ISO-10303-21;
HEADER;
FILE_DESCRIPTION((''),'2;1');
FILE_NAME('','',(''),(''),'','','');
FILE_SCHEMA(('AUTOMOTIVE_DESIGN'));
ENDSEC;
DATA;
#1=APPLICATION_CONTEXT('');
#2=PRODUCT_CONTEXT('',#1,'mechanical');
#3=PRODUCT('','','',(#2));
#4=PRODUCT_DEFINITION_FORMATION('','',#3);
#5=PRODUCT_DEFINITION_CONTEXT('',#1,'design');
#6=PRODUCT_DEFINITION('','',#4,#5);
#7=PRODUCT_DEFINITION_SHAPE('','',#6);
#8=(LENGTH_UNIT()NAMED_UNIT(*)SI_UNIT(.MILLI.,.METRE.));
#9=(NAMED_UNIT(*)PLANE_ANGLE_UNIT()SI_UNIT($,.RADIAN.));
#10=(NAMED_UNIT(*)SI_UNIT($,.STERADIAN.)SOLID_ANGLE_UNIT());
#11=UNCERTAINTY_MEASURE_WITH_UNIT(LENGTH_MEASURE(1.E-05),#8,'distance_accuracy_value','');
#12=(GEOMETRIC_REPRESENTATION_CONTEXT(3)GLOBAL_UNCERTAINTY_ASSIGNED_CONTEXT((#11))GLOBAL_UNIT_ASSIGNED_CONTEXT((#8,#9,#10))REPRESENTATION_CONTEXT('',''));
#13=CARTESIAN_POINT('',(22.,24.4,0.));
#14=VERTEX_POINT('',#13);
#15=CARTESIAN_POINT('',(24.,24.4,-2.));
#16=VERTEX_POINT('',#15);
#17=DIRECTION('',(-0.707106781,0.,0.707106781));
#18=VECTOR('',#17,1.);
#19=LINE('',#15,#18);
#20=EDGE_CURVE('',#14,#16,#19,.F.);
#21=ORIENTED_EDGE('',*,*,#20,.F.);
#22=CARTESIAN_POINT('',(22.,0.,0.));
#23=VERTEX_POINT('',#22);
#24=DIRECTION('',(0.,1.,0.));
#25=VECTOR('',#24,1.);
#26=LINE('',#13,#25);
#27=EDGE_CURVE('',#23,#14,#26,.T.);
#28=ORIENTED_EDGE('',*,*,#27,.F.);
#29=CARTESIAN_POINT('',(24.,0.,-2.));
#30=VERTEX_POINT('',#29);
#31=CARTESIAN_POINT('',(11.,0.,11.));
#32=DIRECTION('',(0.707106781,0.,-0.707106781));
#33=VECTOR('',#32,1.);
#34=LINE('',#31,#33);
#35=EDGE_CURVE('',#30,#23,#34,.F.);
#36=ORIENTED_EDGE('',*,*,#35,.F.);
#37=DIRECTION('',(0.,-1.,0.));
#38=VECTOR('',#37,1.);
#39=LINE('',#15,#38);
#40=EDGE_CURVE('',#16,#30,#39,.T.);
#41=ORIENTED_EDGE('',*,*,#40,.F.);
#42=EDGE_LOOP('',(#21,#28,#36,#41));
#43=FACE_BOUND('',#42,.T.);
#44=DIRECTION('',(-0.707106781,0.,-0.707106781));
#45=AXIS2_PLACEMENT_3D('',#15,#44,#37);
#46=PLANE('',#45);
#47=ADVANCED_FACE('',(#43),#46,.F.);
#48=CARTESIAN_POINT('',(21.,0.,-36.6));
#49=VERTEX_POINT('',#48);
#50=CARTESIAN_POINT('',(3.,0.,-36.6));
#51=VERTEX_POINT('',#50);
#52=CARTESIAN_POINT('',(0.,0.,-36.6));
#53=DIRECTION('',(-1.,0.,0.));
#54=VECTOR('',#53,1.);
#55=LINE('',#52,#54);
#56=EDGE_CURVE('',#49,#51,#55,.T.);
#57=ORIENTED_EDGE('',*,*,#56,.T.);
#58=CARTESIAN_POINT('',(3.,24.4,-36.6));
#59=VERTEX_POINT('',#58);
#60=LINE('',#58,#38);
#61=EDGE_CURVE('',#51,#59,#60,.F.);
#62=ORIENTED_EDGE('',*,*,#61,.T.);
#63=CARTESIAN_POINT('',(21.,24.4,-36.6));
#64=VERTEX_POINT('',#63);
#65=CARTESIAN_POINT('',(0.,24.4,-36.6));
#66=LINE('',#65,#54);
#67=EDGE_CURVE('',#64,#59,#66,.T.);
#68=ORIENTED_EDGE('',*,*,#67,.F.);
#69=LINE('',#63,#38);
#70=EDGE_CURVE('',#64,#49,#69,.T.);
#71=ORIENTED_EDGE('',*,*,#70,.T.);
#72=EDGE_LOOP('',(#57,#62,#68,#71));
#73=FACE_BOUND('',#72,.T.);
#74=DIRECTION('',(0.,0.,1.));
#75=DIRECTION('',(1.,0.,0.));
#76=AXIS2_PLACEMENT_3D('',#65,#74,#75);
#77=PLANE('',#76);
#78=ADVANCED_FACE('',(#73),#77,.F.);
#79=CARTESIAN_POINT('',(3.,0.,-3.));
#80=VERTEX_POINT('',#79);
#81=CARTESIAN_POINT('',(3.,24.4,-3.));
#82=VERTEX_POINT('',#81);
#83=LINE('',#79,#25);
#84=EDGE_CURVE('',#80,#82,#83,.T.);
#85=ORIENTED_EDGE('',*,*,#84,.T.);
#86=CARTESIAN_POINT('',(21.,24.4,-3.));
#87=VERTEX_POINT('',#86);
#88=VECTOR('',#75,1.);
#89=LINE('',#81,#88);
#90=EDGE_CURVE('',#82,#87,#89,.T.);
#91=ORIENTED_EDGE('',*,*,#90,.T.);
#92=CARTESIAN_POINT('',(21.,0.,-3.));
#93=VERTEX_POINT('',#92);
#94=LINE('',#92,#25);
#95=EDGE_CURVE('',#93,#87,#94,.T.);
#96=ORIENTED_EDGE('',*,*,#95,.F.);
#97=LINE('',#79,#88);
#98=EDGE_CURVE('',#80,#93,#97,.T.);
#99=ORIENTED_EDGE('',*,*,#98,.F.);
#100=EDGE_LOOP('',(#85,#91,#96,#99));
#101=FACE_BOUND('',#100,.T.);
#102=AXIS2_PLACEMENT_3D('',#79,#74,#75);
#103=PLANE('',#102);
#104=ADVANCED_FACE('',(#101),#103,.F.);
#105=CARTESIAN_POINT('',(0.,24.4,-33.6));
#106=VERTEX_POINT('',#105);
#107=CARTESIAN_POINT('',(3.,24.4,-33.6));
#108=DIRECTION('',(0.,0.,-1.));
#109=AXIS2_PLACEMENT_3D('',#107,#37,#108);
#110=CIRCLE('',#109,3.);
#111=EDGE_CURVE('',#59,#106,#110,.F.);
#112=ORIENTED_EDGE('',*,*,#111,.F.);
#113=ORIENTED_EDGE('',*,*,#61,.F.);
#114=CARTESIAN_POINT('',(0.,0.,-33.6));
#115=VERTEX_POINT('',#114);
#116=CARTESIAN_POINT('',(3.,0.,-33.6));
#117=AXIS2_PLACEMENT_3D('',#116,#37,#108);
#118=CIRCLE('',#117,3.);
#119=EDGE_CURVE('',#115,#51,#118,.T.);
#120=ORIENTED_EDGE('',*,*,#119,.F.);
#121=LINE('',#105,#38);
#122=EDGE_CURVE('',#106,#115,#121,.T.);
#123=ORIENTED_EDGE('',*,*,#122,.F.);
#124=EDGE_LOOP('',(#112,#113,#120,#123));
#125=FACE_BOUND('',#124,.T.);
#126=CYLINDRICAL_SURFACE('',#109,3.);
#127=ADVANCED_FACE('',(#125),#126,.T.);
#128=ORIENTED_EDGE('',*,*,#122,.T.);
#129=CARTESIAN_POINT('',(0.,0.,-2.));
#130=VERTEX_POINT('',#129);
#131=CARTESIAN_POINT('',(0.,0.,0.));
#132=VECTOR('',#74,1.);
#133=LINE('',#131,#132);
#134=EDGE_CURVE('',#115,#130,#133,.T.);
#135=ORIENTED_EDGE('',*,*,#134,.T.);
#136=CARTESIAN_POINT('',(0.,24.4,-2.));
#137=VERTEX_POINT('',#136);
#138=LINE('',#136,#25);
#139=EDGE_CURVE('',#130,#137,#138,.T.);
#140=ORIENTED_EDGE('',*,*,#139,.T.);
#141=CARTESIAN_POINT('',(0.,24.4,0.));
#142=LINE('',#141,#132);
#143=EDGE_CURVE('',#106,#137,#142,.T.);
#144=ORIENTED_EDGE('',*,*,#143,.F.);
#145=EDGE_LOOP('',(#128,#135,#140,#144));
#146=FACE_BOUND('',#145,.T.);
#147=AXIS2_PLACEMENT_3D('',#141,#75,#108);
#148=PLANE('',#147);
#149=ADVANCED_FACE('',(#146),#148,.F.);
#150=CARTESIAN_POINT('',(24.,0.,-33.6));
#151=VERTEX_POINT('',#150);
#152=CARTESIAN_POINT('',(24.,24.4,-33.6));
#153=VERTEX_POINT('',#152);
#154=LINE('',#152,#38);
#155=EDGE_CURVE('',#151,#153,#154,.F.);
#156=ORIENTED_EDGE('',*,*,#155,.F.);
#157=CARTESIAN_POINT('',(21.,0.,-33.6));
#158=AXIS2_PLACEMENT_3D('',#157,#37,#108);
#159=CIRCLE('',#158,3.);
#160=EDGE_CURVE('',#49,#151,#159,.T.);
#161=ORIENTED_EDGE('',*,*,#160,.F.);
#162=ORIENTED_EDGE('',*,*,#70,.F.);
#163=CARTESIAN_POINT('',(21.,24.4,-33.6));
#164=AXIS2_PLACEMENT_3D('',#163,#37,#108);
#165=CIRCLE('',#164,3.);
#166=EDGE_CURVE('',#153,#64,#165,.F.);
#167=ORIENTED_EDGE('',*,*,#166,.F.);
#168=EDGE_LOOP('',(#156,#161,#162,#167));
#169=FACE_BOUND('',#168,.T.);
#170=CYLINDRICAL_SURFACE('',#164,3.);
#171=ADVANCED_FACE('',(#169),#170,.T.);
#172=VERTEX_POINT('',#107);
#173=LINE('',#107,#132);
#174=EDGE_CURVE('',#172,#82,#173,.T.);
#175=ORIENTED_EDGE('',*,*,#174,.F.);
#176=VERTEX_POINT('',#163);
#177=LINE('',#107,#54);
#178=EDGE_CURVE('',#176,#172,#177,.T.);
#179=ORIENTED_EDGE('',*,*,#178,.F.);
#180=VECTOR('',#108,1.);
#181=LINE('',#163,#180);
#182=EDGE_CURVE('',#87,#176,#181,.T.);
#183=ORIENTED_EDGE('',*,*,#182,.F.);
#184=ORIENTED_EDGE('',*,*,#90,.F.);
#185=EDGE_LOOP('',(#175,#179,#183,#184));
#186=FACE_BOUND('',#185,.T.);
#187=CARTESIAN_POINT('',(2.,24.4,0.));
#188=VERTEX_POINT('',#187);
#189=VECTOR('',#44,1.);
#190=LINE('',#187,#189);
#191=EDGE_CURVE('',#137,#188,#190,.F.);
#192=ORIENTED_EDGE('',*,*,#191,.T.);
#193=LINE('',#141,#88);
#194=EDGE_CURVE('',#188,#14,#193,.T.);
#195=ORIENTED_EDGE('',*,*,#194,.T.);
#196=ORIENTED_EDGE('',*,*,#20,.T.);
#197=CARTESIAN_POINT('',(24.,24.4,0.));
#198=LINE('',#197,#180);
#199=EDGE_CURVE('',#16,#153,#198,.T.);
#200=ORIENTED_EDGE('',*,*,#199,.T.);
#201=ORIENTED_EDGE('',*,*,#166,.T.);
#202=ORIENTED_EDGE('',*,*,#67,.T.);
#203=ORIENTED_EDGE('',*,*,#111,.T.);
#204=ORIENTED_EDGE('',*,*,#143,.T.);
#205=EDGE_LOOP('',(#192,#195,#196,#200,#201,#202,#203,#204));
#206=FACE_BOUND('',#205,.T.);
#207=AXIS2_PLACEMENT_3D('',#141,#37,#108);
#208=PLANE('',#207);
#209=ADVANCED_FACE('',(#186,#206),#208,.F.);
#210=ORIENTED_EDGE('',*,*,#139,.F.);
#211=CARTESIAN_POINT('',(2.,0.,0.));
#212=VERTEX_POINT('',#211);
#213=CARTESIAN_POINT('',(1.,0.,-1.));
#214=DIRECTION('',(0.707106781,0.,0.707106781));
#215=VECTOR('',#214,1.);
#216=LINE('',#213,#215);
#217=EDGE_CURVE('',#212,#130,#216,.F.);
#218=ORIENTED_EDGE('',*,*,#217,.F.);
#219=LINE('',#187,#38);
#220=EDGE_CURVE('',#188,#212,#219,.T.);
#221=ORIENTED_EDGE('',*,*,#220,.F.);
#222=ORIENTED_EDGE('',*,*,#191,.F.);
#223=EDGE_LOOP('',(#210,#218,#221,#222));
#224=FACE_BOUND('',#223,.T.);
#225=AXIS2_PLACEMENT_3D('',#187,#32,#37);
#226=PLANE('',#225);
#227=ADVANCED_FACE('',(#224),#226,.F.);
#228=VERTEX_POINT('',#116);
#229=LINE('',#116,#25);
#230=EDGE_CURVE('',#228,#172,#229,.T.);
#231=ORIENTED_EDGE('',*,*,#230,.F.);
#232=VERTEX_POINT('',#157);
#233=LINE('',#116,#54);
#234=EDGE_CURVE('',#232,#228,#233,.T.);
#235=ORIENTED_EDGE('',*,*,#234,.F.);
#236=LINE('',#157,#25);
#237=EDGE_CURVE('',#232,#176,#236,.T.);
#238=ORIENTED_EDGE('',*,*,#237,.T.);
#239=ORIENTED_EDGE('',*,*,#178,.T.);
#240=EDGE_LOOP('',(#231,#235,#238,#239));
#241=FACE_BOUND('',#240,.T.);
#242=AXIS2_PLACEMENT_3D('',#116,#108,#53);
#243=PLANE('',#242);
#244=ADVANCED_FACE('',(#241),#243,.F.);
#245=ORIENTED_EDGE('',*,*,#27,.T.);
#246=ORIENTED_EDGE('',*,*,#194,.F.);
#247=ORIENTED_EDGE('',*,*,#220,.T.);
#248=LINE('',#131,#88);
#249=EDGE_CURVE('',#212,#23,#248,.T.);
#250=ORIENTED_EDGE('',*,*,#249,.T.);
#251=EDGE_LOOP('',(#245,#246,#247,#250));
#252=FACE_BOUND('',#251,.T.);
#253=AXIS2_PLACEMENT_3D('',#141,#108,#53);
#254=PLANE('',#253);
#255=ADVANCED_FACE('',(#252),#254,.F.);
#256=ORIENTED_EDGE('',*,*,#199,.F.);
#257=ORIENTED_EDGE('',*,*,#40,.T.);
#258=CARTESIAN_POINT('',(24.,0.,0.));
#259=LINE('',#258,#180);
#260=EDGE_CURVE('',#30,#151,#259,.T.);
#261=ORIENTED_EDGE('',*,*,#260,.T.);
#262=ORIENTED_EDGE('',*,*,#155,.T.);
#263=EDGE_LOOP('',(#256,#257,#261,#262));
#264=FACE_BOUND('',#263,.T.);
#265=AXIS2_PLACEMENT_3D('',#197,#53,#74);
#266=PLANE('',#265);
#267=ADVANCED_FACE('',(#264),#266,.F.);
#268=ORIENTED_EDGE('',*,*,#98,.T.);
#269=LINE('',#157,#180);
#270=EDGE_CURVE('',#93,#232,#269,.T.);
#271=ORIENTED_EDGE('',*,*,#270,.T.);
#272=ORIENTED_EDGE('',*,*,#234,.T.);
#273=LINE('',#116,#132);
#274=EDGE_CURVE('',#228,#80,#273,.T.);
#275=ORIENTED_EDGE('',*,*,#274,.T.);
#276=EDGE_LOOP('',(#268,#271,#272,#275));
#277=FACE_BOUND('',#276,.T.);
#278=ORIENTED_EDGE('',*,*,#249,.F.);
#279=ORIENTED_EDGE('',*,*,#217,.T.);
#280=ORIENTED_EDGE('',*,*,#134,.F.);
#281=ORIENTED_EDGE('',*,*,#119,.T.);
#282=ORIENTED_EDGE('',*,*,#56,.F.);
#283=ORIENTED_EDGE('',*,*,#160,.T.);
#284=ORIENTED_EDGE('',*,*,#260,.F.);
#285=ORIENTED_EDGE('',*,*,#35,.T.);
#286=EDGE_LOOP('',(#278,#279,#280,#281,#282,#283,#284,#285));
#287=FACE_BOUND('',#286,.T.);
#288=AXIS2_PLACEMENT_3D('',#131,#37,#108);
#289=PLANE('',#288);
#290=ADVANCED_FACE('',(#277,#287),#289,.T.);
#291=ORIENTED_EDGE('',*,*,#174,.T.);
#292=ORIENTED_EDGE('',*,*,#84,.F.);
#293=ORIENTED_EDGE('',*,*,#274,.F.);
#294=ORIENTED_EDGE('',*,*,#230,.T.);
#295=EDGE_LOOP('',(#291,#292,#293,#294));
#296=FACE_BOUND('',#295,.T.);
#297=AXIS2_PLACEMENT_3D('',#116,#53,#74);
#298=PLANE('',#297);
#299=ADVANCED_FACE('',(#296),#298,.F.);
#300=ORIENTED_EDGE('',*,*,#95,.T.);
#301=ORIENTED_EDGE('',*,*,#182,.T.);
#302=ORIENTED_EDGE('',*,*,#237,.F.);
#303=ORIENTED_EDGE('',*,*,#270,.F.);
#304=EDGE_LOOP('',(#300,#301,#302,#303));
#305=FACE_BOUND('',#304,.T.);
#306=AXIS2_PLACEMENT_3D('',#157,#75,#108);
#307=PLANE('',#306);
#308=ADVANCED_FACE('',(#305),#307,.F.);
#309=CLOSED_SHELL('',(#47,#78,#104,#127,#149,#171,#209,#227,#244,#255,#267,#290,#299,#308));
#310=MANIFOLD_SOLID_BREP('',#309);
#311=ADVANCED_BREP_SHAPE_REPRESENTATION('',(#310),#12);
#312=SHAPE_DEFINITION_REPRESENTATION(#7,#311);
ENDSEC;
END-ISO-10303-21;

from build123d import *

# Parameters (mm, degrees)
SKETCH1_W           = 24
SKETCH1_H           = 36.6
BOSS_EXTRUDE1_DEPTH = 24.4
SKETCH2_W           = 18
SKETCH2_H           = 30.6
CUT_EXTRUDE1_DEPTH  = 24.4
FILLET2_R           = 3
CHAMFER1_SIZE       = 2


with BuildPart() as part:
    # Sketch1 → Boss-Extrude1 (new body)
    with BuildSketch(Plane(origin=(0, 0, 0), x_dir=(1, 0, 0), z_dir=(0, 1, 0))):
        with Locations((12, 18.3)):
            Rectangle(SKETCH1_W, SKETCH1_H)
    extrude(amount=BOSS_EXTRUDE1_DEPTH)

    # Sketch2 → Cut-Extrude1 (cut)
    with BuildSketch(Plane(origin=(0, 24.4, 0), x_dir=(1, 0, 0), z_dir=(0, 1, 0))):
        with Locations((12, 18.3)):
            Rectangle(SKETCH2_W, SKETCH2_H)
    extrude(amount=-CUT_EXTRUDE1_DEPTH, mode=Mode.SUBTRACT)

    # Fillet2
    fillet2_edges = [part.edges().sort_by_distance(p)[0] for p in [
        (0, 12.2, -36.6),
        (24, 12.2, -36.6),
    ]]
    fillet(fillet2_edges, radius=FILLET2_R)

    # Chamfer1
    chamfer1_edges = [part.edges().sort_by_distance(p)[0] for p in [
        (24, 12.2, 0),
        (0, 12.2, 0),
    ]]
    chamfer(chamfer1_edges, length=CHAMFER1_SIZE)


solid = part.part
